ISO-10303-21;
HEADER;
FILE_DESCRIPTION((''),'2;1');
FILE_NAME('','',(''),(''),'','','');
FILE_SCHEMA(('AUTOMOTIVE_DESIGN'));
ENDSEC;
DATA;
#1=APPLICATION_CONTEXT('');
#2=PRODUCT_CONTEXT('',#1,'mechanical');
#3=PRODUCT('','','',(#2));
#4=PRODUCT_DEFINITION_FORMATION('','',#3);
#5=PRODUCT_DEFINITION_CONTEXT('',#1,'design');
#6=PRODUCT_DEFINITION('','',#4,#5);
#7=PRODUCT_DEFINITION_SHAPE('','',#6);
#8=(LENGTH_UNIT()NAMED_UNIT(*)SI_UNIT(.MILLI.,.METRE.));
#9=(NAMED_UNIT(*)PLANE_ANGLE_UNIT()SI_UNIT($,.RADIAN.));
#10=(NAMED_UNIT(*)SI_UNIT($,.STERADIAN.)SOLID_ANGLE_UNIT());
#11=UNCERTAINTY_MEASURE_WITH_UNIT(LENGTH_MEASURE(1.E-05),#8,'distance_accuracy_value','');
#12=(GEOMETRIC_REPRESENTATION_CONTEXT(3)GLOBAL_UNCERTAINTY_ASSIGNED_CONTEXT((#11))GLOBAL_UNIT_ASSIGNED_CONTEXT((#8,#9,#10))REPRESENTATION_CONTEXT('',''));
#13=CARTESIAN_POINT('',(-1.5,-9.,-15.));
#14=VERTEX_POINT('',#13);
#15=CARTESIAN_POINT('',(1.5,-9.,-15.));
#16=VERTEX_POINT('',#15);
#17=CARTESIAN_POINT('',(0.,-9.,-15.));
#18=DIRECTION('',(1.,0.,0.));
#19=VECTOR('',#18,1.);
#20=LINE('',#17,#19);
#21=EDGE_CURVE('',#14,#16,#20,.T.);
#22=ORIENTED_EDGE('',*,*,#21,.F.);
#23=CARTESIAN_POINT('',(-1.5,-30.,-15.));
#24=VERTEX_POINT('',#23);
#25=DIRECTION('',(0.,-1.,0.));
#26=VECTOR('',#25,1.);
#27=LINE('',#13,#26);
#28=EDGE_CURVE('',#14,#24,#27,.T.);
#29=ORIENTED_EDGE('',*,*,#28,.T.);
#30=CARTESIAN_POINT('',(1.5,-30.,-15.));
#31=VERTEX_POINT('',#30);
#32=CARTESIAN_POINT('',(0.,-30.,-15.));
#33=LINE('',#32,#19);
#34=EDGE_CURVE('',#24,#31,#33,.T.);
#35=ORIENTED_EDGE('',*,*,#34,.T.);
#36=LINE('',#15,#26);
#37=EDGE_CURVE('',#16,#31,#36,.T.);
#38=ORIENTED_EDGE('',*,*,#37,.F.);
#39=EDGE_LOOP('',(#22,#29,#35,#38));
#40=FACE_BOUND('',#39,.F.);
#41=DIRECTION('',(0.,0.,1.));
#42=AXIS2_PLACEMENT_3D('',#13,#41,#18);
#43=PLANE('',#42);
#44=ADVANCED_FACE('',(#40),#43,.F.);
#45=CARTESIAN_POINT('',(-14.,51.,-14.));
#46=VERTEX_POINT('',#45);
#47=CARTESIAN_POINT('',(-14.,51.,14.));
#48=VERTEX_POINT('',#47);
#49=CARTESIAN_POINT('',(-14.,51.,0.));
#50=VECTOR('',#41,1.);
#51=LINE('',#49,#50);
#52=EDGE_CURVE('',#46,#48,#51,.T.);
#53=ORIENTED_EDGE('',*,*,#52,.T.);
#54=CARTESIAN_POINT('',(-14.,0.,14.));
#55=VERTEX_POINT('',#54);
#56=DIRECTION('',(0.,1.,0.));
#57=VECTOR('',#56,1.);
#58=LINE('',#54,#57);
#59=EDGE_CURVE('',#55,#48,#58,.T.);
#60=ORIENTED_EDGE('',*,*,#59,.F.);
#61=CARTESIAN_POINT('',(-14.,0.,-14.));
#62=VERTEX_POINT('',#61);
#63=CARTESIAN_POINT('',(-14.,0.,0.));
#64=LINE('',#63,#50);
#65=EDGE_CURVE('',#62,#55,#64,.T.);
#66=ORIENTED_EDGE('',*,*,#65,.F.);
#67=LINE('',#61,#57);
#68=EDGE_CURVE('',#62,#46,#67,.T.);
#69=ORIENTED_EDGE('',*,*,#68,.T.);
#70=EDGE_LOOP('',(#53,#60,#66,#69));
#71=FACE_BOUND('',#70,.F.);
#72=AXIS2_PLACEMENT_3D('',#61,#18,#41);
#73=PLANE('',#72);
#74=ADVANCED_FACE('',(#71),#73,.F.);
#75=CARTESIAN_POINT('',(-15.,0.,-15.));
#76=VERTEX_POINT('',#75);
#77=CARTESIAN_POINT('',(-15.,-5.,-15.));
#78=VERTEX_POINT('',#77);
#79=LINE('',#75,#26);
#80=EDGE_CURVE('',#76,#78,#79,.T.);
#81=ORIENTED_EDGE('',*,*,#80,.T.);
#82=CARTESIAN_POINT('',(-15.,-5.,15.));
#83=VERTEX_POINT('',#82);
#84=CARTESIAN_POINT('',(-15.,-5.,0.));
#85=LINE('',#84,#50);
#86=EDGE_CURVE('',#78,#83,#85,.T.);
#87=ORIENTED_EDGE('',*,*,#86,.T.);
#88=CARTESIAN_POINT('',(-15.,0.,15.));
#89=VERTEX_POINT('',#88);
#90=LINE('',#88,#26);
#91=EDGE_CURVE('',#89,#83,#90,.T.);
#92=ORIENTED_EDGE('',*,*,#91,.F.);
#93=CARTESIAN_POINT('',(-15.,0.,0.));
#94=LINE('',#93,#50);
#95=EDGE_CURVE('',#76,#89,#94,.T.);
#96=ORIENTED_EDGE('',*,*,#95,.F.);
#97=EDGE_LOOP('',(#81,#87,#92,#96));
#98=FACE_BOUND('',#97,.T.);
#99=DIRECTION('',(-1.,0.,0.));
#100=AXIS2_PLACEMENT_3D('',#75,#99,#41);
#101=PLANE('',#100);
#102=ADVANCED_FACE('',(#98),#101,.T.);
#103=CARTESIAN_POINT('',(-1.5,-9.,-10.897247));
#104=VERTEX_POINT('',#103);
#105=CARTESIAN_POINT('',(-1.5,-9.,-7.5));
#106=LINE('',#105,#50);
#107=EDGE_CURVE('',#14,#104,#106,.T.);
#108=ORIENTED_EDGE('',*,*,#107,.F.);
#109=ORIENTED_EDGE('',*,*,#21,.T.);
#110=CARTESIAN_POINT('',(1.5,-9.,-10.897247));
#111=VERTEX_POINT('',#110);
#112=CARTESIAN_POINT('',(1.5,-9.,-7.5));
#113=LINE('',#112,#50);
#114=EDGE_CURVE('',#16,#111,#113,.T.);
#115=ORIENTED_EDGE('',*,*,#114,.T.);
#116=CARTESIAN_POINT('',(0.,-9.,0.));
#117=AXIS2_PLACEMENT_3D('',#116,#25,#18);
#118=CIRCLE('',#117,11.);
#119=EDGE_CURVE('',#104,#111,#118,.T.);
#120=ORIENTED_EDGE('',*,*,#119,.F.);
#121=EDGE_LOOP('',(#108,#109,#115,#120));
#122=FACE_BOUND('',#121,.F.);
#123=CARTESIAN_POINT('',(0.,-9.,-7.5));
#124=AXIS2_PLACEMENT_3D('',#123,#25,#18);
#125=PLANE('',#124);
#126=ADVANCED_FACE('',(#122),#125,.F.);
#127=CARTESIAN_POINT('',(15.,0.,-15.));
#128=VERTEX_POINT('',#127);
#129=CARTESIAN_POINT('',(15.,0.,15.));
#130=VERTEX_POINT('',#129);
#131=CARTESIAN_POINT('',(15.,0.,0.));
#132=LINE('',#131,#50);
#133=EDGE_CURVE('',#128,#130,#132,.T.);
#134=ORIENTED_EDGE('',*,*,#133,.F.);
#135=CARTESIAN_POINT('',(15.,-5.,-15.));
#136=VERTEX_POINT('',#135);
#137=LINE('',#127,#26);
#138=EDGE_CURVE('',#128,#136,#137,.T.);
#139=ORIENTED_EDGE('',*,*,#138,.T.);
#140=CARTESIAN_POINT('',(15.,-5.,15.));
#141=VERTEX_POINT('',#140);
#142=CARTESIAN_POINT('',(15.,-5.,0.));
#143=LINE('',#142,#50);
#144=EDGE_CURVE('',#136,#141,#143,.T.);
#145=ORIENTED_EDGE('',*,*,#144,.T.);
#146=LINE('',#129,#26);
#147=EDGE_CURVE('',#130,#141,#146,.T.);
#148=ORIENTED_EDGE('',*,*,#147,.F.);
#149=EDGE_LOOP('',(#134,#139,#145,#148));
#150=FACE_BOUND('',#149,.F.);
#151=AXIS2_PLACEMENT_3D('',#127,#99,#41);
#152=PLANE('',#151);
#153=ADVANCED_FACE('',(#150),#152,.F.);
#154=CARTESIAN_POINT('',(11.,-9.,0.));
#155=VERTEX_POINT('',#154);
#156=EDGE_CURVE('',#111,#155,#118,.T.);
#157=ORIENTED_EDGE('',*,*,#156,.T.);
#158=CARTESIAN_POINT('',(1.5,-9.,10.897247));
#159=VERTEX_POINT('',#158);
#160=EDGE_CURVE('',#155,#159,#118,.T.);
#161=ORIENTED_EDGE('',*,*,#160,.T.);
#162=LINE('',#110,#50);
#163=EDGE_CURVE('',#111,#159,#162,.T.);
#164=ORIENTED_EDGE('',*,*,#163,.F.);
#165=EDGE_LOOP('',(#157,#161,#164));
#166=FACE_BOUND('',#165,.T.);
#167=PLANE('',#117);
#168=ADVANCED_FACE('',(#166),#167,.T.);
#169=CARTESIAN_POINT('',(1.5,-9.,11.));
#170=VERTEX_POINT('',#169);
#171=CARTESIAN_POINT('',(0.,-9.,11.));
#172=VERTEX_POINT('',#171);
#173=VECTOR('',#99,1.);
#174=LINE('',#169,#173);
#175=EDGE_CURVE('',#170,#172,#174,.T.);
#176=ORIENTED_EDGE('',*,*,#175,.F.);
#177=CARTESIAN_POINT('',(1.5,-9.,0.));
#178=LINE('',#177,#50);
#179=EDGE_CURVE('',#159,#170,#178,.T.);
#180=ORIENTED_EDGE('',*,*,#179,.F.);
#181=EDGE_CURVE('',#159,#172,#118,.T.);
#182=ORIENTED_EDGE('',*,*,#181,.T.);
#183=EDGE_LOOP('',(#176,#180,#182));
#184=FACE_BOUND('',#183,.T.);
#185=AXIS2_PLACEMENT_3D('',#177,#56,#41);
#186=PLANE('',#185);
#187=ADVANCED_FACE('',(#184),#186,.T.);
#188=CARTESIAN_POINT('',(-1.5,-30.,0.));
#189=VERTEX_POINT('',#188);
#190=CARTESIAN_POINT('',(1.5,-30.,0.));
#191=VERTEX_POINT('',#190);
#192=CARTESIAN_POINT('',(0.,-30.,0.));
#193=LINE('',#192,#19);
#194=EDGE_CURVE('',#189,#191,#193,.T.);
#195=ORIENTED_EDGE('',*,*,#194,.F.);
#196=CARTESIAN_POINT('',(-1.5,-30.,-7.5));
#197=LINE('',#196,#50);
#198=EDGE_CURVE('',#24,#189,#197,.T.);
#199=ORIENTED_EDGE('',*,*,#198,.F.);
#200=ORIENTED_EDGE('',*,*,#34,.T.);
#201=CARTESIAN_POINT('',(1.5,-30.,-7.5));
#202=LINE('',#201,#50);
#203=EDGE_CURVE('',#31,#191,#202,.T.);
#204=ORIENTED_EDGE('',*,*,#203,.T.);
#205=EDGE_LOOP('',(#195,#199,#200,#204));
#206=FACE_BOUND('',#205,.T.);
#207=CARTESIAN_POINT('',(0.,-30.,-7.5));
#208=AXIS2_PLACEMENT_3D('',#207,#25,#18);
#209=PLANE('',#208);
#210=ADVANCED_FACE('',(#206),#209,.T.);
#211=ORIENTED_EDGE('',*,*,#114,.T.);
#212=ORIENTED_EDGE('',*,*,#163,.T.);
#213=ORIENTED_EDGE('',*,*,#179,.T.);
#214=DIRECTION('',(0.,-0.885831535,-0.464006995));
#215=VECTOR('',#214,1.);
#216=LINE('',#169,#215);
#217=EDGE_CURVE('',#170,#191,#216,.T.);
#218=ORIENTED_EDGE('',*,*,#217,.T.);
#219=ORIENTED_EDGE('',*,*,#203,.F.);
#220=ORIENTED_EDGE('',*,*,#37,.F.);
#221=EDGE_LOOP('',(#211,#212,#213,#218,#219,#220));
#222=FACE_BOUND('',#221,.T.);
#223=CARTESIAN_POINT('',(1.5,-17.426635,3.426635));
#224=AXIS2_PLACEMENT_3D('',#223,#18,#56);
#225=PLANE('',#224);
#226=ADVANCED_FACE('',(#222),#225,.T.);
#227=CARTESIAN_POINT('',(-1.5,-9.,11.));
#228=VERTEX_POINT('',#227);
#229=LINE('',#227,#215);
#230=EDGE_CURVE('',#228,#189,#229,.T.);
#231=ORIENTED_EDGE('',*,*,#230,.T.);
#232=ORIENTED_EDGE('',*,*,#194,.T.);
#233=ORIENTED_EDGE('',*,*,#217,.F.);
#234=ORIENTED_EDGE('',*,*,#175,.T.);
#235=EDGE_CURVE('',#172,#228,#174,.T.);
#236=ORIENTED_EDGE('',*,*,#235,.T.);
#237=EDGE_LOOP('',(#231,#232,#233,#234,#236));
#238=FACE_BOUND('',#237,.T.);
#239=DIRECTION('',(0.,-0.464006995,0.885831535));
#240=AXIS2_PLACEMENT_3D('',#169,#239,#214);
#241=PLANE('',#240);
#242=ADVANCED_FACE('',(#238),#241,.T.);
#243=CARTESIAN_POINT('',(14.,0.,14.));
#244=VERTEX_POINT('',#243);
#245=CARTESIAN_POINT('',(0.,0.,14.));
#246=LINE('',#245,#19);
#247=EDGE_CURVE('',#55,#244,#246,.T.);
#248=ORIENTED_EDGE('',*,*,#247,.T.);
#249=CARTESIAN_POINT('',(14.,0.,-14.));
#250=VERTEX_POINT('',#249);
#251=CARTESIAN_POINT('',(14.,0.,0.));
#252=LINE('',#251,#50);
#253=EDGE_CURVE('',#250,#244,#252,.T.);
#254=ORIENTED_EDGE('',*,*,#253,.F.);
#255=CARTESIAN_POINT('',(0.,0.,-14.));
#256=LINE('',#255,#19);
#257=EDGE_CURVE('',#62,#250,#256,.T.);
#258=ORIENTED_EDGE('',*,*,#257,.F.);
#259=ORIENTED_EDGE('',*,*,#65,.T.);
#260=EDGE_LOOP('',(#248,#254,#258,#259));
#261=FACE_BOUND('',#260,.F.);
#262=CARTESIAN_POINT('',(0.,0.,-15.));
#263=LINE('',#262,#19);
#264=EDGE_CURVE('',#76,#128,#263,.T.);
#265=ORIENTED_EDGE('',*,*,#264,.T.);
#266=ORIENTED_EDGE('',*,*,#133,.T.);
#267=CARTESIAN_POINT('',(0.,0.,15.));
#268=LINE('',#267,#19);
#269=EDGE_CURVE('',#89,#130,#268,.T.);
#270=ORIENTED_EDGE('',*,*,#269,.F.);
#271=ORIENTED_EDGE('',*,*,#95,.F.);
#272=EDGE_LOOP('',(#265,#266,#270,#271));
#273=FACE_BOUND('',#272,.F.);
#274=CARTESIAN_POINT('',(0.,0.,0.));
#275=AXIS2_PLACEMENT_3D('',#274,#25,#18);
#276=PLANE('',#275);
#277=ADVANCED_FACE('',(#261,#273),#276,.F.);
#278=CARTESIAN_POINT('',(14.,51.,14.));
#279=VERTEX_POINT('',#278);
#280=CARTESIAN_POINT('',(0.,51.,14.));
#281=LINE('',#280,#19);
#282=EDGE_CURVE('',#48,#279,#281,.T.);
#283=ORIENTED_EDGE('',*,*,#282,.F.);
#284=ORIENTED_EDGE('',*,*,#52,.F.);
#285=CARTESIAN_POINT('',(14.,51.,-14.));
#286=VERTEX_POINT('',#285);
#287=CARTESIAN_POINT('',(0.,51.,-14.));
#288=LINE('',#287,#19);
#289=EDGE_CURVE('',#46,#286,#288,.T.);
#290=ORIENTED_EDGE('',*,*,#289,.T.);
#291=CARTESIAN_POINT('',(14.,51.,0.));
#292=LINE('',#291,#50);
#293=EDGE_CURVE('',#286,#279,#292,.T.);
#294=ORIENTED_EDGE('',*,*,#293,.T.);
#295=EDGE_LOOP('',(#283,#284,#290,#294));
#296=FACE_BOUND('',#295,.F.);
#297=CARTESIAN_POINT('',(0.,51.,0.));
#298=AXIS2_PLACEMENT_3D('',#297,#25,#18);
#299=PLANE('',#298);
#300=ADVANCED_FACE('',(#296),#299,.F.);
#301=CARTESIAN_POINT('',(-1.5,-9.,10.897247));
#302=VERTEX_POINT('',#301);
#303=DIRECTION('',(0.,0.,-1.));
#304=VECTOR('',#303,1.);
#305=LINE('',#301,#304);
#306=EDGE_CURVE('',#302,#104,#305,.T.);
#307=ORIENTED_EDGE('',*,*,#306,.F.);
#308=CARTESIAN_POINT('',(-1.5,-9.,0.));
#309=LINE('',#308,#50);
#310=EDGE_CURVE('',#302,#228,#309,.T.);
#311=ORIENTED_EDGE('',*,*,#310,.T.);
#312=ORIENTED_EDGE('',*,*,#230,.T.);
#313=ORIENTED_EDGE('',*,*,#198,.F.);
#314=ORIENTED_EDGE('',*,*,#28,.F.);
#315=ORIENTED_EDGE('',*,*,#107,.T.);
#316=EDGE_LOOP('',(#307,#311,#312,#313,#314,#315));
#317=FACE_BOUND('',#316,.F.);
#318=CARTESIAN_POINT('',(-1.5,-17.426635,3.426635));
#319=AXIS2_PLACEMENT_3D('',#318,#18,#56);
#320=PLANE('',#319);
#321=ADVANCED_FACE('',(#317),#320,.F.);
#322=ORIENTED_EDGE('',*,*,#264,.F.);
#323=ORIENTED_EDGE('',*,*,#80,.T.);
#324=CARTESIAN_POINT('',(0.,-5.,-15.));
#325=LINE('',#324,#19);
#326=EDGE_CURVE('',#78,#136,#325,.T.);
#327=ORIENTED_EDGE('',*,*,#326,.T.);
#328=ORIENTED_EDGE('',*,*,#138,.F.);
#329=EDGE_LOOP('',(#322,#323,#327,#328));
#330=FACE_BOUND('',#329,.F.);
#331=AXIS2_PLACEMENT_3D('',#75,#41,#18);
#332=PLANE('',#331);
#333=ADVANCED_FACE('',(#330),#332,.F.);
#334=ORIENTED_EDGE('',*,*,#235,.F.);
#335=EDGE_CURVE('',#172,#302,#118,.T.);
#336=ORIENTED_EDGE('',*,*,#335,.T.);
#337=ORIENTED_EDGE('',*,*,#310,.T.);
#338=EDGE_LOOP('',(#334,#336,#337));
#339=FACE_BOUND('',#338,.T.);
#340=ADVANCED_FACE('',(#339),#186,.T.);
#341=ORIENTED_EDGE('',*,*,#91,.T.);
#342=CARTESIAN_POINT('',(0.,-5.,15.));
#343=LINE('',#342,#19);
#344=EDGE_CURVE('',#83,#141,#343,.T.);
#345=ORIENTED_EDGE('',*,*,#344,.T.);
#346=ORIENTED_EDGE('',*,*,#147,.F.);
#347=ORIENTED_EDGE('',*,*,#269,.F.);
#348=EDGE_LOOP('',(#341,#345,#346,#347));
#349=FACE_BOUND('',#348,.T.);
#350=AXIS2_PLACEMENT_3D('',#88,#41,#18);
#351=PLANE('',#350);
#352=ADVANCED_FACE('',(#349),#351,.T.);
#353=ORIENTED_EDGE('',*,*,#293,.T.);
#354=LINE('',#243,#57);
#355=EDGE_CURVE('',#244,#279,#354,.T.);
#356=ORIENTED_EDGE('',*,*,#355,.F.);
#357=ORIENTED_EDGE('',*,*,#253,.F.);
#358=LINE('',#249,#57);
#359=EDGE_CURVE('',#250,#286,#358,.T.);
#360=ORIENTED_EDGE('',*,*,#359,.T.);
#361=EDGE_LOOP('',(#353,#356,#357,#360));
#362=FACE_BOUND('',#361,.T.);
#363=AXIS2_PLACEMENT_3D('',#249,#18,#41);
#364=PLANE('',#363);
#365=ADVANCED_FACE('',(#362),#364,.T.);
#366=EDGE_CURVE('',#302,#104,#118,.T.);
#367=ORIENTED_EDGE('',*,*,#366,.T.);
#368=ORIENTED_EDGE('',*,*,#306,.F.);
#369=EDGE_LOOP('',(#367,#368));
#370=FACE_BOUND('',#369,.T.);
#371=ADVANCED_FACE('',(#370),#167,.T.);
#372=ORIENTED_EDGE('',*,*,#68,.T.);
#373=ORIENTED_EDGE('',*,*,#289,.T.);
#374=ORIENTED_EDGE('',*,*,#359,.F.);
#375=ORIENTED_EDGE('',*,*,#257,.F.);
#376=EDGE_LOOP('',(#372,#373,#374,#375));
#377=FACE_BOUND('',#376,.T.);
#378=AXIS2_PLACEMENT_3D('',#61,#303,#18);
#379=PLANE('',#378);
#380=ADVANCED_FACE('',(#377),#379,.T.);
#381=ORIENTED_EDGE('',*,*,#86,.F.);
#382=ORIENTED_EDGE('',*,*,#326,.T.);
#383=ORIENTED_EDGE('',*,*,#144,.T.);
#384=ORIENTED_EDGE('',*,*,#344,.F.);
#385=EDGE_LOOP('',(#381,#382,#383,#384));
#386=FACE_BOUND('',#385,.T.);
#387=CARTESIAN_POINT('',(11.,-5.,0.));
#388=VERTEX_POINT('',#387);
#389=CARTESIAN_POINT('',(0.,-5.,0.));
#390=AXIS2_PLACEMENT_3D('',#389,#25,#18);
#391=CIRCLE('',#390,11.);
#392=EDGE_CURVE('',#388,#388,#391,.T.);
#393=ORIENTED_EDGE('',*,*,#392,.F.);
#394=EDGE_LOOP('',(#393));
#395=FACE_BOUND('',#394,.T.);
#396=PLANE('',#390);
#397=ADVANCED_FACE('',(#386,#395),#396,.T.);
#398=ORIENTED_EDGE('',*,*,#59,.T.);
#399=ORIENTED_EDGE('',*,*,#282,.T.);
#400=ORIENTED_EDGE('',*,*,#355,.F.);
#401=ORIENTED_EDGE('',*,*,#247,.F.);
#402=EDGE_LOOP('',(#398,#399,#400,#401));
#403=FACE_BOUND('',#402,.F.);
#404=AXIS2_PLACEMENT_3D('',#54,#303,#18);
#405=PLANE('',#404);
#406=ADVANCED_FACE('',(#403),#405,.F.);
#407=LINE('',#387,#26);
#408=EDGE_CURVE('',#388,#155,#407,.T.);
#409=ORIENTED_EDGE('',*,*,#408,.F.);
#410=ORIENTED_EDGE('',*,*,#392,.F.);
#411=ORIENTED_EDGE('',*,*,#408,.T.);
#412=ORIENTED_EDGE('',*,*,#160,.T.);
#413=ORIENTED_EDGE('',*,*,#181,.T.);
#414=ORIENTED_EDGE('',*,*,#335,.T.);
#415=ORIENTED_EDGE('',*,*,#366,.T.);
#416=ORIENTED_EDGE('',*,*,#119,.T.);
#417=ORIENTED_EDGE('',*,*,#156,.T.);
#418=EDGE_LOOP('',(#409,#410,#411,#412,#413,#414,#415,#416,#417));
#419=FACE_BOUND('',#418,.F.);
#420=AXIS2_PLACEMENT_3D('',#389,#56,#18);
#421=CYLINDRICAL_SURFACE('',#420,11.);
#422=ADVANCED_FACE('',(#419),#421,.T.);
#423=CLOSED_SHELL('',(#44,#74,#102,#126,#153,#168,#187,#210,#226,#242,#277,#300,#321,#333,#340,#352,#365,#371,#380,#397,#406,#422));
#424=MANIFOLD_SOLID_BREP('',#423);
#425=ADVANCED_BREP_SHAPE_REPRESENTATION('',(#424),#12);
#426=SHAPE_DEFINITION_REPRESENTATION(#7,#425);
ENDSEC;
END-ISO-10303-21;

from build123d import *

# Parameters (mm, degrees)
F0_W     = 28
F0_H     = 28
F1_DEPTH = 51
F2_W     = 30
F2_H     = 30
F3_DEPTH = 5
F4_R     = 11
F5_DEPTH = 4
F6_W     = 3
F6_H     = 15
F7_DEPTH = 21
F9_DEPTH = 3


with BuildPart() as f1:
    # F0 (on Front) → F1 (new body)
    with BuildSketch(Plane.XZ):
        Rectangle(F0_W, F0_H)
    extrude(amount=-F1_DEPTH)

    # F2 (on Front) → F3 (join)
    with BuildSketch(Plane.XZ):
        Rectangle(F2_W, F2_H)
    extrude(amount=F3_DEPTH)

    # F4 (on face) → F5 (join)
    with BuildSketch(Plane.XZ.offset(5)):
        Circle(F4_R)
    extrude(amount=F5_DEPTH)

    # F6 (on face) → F7 (join)
    with BuildSketch(Plane.XZ.offset(9)):
        with Locations((0, -7.5)):
            Rectangle(F6_W, F6_H)
    extrude(amount=F7_DEPTH)

    # F8 (on face) → F9 (join)
    with BuildSketch(Plane.YZ.offset(1.5)):
        Polygon((-9, 11), (-30, 0), (-9, 0), align=None)
    extrude(amount=-F9_DEPTH)


solid = f1.part
